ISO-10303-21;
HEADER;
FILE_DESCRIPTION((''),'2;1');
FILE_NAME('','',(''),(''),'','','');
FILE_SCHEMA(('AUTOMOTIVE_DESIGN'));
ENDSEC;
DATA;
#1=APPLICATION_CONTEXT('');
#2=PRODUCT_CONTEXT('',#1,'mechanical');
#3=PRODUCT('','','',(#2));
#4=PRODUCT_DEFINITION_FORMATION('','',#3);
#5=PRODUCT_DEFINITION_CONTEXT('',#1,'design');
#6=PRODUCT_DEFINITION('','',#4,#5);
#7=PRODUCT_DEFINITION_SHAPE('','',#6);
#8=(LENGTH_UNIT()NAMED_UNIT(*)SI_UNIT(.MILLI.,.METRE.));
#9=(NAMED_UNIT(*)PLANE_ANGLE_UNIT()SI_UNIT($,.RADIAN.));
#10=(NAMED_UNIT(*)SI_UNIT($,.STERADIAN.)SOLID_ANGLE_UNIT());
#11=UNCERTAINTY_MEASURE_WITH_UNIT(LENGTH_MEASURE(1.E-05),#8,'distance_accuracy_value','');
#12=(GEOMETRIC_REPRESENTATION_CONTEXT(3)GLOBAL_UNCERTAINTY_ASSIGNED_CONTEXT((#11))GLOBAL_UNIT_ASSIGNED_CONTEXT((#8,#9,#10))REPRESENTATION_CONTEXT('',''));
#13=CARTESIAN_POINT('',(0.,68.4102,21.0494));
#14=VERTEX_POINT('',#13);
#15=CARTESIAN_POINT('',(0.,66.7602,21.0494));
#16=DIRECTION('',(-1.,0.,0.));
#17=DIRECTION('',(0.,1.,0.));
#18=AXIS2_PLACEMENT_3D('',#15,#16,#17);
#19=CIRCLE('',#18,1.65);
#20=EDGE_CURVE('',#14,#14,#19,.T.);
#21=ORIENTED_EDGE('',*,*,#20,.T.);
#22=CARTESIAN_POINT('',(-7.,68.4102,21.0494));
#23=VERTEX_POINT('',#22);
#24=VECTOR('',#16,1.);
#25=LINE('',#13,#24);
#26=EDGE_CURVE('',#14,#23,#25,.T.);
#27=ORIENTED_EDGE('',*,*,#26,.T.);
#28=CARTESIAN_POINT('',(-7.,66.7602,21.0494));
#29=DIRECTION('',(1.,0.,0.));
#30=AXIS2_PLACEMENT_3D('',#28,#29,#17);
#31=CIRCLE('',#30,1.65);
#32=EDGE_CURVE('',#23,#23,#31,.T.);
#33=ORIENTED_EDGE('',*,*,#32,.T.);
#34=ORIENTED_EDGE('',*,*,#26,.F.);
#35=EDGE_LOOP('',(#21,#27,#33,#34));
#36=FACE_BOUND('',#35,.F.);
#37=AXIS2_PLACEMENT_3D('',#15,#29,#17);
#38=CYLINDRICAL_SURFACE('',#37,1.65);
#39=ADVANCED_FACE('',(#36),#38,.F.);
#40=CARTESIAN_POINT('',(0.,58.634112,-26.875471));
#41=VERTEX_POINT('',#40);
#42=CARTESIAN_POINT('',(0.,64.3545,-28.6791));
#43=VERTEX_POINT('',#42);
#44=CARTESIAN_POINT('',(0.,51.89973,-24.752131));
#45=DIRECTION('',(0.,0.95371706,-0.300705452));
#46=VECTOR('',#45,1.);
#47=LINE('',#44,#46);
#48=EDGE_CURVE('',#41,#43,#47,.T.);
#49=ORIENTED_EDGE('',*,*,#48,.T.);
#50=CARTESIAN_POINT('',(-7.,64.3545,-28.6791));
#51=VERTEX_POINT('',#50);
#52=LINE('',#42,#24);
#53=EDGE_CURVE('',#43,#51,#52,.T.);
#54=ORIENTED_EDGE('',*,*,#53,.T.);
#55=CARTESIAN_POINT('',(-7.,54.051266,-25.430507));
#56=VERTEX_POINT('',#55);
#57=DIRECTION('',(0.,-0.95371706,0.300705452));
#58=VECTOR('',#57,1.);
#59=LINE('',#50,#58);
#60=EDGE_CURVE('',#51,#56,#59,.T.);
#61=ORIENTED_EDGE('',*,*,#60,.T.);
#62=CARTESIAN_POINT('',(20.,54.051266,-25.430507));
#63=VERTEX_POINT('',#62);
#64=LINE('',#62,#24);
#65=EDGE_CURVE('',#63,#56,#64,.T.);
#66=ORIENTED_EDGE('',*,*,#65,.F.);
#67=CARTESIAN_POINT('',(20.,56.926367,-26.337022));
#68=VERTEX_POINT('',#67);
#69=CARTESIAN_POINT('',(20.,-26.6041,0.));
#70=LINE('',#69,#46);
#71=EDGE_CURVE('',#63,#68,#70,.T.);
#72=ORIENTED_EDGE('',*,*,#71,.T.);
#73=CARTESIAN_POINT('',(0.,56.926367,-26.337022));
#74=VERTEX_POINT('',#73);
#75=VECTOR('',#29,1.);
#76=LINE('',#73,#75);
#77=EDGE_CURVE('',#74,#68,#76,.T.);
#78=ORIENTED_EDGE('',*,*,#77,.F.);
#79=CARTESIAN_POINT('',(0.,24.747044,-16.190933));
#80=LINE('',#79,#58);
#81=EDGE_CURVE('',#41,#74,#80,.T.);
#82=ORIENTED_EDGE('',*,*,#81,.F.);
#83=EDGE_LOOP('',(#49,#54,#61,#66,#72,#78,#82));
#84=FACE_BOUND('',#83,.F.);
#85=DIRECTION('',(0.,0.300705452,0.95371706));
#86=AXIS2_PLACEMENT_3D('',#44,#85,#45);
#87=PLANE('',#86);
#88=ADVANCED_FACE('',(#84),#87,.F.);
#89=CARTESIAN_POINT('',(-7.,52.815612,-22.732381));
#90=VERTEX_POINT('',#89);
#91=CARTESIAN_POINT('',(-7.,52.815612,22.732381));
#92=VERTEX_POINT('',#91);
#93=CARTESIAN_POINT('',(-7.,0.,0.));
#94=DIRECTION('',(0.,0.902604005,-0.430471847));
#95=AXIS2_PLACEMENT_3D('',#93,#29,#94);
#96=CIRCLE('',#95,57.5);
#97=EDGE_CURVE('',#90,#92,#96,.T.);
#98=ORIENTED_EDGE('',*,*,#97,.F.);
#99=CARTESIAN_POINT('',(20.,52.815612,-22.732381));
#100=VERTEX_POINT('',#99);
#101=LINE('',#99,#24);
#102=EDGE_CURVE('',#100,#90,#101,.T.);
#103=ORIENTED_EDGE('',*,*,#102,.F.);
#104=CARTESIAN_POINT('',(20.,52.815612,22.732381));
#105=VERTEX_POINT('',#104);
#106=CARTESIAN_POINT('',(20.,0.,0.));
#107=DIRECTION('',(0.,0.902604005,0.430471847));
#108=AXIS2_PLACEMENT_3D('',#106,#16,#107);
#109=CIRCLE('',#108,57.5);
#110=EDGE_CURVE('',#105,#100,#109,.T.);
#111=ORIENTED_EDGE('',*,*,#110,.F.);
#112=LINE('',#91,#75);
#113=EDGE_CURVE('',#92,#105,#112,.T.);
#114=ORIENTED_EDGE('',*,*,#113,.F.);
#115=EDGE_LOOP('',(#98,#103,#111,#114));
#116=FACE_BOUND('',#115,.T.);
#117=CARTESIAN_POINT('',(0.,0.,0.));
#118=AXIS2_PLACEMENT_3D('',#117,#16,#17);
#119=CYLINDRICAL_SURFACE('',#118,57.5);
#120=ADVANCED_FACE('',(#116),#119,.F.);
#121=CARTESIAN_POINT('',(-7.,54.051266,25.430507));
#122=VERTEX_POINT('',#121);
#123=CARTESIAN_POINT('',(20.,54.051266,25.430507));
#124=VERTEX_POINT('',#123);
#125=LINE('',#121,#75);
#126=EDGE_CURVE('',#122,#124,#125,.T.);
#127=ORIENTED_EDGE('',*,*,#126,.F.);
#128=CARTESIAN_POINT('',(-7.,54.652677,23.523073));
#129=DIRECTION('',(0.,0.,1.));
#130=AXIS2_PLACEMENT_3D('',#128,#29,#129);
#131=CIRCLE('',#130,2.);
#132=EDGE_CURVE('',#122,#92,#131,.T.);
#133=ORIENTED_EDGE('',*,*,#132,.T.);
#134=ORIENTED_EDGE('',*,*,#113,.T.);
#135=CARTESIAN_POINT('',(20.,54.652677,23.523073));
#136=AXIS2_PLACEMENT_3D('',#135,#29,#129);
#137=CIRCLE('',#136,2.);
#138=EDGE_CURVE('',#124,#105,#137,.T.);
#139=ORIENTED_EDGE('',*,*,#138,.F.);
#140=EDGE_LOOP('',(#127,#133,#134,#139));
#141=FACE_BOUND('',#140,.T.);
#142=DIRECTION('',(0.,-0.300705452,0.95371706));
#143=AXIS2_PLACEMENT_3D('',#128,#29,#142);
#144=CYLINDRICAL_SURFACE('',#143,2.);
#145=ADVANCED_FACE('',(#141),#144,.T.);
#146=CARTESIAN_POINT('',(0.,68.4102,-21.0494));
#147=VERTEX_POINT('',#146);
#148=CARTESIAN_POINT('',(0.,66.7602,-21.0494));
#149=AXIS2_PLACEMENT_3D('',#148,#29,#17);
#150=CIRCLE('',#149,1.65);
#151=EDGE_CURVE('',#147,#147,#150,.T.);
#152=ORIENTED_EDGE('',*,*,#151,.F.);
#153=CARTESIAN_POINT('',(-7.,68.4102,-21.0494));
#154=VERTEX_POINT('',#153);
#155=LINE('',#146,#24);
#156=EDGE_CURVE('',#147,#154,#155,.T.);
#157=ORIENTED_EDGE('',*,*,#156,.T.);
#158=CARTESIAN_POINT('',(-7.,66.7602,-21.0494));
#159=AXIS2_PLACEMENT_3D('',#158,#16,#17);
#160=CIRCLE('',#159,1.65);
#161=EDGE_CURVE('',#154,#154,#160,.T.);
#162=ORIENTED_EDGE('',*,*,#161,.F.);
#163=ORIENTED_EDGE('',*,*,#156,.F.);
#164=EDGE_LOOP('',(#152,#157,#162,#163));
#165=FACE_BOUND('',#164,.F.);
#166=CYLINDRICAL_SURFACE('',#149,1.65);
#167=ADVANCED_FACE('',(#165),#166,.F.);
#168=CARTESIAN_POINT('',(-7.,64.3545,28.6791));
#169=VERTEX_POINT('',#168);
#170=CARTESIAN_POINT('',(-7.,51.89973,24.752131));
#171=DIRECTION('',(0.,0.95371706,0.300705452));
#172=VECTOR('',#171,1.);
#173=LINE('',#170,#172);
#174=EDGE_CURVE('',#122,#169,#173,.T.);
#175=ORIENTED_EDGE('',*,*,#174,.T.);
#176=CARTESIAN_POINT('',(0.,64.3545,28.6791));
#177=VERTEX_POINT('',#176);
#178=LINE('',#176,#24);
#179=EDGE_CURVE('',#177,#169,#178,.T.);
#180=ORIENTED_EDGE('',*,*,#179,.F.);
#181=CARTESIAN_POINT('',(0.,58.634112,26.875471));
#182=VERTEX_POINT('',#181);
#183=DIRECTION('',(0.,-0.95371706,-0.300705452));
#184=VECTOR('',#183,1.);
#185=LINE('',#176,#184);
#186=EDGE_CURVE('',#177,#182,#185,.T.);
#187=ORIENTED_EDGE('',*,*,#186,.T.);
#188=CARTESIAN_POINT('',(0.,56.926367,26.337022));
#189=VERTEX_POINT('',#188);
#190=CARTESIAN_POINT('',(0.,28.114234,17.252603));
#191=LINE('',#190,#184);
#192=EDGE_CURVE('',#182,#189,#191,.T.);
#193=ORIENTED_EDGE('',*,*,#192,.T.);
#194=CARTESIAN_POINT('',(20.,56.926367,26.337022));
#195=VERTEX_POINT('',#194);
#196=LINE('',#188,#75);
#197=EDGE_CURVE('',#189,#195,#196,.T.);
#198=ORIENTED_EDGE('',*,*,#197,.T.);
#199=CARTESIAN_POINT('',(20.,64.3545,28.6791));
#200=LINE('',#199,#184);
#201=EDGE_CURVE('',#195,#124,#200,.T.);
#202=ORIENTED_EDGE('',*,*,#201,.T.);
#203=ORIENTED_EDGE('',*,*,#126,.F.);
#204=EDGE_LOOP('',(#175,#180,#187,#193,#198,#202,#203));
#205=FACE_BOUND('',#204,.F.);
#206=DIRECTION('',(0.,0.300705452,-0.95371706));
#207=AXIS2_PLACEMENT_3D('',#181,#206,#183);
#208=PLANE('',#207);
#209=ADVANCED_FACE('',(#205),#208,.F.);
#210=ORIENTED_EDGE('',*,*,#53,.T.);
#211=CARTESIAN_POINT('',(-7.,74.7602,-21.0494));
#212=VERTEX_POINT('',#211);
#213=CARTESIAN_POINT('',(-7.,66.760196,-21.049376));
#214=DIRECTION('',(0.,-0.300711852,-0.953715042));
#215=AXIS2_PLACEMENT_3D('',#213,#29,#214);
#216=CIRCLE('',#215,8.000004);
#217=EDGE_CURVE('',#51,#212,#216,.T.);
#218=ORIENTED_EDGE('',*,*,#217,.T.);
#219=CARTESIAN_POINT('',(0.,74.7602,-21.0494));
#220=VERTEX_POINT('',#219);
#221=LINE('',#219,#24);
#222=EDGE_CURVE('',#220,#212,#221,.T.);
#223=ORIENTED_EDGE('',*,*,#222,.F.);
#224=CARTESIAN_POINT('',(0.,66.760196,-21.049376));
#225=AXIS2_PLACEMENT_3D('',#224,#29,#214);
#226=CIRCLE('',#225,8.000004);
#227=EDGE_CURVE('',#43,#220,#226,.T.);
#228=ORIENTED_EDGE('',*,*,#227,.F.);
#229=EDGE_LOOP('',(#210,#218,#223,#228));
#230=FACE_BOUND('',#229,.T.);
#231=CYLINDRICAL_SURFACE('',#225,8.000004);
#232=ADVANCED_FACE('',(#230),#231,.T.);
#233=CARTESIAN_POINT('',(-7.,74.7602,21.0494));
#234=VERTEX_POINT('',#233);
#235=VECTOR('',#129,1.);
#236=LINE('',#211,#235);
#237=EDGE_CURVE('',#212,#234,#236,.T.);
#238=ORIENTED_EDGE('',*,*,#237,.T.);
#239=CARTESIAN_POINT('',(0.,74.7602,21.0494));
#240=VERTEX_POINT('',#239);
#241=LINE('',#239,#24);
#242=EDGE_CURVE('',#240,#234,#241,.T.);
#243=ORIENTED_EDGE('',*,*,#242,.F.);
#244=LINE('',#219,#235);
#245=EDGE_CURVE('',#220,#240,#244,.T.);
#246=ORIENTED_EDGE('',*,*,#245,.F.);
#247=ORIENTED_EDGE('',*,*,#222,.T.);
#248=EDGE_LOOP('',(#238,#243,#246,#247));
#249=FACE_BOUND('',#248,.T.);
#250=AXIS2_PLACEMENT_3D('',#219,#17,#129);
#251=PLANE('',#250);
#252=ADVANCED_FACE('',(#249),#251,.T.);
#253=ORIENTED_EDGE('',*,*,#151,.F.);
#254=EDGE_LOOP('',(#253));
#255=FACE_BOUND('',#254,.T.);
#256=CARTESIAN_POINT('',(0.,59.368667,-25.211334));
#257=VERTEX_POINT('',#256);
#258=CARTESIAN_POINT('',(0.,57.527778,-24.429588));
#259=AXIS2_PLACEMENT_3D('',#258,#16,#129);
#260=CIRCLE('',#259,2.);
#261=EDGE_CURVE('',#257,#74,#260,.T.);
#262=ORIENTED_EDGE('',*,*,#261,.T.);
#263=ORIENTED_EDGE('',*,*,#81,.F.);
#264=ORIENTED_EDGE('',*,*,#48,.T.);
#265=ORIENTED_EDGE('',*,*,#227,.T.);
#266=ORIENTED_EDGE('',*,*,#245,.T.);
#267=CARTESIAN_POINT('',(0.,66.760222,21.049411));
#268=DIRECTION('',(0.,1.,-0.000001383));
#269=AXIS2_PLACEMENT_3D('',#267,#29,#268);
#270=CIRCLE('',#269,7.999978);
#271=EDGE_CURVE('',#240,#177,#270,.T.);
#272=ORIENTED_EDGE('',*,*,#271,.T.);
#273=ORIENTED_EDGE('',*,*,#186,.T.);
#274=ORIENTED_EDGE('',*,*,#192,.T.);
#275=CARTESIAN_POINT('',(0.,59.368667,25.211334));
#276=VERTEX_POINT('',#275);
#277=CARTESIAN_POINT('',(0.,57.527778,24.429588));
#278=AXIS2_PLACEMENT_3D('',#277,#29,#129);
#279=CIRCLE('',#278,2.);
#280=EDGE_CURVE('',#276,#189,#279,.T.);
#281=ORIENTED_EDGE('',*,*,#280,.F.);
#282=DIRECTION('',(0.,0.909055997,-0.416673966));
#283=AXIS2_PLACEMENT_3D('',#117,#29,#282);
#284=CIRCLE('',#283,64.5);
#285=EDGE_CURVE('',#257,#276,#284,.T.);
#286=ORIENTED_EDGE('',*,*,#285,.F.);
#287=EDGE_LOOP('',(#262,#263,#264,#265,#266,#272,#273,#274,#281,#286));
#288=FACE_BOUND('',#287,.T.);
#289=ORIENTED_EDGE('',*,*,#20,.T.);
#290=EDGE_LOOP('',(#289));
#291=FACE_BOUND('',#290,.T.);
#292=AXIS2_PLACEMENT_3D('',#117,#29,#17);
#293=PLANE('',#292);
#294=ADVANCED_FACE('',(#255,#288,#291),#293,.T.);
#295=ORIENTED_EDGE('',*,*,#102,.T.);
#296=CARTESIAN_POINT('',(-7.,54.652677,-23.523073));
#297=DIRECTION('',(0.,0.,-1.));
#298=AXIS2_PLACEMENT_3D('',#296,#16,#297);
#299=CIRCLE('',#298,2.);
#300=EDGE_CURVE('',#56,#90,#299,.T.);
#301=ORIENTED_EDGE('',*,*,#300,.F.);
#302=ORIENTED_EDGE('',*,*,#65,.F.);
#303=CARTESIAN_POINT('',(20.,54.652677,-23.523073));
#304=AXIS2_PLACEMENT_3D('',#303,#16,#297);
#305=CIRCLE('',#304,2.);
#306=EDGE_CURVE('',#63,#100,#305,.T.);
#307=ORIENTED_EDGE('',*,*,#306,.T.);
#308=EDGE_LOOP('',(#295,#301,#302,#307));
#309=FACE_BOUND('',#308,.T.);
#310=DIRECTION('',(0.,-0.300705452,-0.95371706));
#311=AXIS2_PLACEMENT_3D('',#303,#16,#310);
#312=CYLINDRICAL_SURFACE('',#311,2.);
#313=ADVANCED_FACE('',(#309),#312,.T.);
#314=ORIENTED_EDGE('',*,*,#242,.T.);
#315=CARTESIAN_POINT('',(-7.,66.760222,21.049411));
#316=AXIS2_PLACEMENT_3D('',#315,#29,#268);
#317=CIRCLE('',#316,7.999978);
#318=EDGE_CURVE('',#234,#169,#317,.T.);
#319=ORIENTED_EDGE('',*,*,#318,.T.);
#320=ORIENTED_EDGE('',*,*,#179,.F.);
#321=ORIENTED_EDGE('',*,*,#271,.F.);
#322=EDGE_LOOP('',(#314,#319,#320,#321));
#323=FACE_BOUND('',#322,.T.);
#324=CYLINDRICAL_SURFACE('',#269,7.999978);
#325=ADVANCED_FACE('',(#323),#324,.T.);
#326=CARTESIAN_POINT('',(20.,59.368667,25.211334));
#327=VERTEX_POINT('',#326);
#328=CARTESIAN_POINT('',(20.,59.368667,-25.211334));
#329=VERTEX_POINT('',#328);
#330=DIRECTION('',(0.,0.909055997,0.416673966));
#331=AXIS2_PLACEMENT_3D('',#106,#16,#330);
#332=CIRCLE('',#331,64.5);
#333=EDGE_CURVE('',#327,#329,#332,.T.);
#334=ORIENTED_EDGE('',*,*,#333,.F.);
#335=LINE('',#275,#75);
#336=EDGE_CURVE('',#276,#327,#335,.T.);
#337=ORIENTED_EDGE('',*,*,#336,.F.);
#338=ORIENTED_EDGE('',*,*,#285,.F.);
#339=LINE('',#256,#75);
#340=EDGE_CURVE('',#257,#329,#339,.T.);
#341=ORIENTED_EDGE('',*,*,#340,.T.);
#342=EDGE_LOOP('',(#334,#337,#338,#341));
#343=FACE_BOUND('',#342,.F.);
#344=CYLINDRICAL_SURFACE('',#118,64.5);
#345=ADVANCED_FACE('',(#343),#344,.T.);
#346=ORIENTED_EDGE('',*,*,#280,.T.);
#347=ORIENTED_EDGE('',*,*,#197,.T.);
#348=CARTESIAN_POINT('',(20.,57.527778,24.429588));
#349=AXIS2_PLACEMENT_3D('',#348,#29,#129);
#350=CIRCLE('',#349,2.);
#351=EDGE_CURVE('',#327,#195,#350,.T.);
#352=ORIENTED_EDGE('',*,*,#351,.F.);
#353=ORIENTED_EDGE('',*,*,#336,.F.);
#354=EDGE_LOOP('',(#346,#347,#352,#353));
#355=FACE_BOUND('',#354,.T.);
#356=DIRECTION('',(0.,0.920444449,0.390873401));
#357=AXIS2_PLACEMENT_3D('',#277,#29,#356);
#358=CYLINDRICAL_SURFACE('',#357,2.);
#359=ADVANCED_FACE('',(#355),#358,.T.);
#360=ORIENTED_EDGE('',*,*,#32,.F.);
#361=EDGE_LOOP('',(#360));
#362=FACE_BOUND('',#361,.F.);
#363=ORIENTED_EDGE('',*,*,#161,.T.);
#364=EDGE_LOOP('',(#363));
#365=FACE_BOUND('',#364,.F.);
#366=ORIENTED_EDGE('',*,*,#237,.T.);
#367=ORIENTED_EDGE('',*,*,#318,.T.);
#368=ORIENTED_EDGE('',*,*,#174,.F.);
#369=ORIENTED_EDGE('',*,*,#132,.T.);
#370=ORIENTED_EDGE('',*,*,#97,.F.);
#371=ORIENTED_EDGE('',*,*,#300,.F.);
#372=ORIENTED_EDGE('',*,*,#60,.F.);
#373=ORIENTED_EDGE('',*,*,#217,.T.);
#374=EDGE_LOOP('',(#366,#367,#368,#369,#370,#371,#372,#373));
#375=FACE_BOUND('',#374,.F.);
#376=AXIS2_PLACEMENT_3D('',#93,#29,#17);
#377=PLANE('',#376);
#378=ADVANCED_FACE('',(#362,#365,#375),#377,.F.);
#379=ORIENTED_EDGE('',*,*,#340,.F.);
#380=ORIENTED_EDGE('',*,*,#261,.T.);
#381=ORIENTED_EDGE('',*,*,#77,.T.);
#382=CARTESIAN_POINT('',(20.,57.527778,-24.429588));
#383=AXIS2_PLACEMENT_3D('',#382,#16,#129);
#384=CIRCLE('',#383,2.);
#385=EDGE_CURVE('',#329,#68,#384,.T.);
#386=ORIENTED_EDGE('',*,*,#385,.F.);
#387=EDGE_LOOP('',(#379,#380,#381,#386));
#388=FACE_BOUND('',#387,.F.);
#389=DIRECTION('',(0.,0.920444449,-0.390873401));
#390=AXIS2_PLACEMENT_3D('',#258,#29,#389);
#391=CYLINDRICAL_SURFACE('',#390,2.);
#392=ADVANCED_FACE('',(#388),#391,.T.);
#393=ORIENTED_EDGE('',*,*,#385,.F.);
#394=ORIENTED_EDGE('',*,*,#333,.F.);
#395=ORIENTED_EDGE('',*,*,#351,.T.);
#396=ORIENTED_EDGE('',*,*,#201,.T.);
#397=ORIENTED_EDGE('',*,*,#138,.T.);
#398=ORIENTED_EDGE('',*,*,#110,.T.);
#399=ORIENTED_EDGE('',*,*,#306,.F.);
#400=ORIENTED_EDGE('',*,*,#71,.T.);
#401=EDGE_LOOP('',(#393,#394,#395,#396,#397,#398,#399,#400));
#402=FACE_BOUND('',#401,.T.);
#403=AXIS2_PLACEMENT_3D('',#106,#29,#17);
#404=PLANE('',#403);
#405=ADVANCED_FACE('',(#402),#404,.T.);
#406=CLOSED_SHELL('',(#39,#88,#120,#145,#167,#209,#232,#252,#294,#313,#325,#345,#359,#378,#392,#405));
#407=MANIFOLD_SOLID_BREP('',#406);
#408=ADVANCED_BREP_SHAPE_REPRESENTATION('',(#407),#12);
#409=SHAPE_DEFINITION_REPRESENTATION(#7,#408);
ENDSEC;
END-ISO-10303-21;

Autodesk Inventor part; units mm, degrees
ref_plane "YZ Plane" through (0, 0, 0) normal (1, 0, 0) x (0, 1, 0)
ref_plane "XZ Plane" through (0, 0, 0) normal (0, 1, 0) x (-1, 0, 0)
ref_plane "XY Plane" through (0, 0, 0) normal (0, 0, 1) x (1, 0, 0)
sketch "Sketch1" plane through (0, 0, 0) normal (1, 0, 0) x (0, 1, 0)
  circle A0 centre (0, 0) radius 70
  line L0 (0, 0) -> (66.7602, 21.0494) construction
  line L1 (66.7602, -21.0494) -> (0, 0) construction
  line L2 (66.7602, -21.0494) -> (66.7602, 21.0494) construction
  circle A1 centre (66.7602, 21.0494) radius 1.65
  circle A2 centre (66.7602, -21.0494) radius 1.65
  circle A3 centre (0, 0) radius 57.5
  line L3 (64.3545, 28.6791) -> (-26.6041, 0)
  line L4 (-26.6041, 0) -> (64.3545, -28.6791)
  line L5 (74.7602, -21.0494) -> (74.7602, 21.0494)
  arc A4 (74.7602, 21.0494) -> (64.3545, 28.6791) centre (66.7602, 21.0494) ccw
  arc A5 (64.3545, -28.6791) -> (74.7602, -21.0494) centre (66.7602, -21.0494) ccw
  circle A6 centre (0, 0) radius 64.5
  point P0 (66.7602, 0)
  point P1 (51.8997, 24.7522)
  point P2 (51.8997, -24.7522)
  point P3 (58.6341, 26.8755)
  point P4 (58.6341, -26.8755)
  dimension "d0" = 140
  dimension "d1" = 35
  dimension "d2" = 3.3
  dimension "d3" = 3.3
  dimension "d4" = 115
  dimension "d5" = 8
  dimension "d6" = 8
  dimension "d7" = 7
extrude "Extrusion1" add sketch "Sketch1" against normal blind 7 contours A0 A2 L4 A6 L3 A1 | A0 A1 L3 A4 L5 A5 L4 A2 | A6 L4 A3 L3 picked at (61.9464, 3.0696)
extrude "Extrusion2" add sketch "Sketch1" along normal blind 20 contours A6 L4 A3 L3 picked at (61.9464, 3.0696)
fillet "Fillet1" radius 2 4 edges at (6.5, 51.8997, 24.7522) (6.5, 51.8997, -24.7522) (10, 58.6341, 26.8755) (10, 58.6341, -26.8755)
properties part number "ACOMPLE_PLASTICO" material "Steel, Mild, Welded"
